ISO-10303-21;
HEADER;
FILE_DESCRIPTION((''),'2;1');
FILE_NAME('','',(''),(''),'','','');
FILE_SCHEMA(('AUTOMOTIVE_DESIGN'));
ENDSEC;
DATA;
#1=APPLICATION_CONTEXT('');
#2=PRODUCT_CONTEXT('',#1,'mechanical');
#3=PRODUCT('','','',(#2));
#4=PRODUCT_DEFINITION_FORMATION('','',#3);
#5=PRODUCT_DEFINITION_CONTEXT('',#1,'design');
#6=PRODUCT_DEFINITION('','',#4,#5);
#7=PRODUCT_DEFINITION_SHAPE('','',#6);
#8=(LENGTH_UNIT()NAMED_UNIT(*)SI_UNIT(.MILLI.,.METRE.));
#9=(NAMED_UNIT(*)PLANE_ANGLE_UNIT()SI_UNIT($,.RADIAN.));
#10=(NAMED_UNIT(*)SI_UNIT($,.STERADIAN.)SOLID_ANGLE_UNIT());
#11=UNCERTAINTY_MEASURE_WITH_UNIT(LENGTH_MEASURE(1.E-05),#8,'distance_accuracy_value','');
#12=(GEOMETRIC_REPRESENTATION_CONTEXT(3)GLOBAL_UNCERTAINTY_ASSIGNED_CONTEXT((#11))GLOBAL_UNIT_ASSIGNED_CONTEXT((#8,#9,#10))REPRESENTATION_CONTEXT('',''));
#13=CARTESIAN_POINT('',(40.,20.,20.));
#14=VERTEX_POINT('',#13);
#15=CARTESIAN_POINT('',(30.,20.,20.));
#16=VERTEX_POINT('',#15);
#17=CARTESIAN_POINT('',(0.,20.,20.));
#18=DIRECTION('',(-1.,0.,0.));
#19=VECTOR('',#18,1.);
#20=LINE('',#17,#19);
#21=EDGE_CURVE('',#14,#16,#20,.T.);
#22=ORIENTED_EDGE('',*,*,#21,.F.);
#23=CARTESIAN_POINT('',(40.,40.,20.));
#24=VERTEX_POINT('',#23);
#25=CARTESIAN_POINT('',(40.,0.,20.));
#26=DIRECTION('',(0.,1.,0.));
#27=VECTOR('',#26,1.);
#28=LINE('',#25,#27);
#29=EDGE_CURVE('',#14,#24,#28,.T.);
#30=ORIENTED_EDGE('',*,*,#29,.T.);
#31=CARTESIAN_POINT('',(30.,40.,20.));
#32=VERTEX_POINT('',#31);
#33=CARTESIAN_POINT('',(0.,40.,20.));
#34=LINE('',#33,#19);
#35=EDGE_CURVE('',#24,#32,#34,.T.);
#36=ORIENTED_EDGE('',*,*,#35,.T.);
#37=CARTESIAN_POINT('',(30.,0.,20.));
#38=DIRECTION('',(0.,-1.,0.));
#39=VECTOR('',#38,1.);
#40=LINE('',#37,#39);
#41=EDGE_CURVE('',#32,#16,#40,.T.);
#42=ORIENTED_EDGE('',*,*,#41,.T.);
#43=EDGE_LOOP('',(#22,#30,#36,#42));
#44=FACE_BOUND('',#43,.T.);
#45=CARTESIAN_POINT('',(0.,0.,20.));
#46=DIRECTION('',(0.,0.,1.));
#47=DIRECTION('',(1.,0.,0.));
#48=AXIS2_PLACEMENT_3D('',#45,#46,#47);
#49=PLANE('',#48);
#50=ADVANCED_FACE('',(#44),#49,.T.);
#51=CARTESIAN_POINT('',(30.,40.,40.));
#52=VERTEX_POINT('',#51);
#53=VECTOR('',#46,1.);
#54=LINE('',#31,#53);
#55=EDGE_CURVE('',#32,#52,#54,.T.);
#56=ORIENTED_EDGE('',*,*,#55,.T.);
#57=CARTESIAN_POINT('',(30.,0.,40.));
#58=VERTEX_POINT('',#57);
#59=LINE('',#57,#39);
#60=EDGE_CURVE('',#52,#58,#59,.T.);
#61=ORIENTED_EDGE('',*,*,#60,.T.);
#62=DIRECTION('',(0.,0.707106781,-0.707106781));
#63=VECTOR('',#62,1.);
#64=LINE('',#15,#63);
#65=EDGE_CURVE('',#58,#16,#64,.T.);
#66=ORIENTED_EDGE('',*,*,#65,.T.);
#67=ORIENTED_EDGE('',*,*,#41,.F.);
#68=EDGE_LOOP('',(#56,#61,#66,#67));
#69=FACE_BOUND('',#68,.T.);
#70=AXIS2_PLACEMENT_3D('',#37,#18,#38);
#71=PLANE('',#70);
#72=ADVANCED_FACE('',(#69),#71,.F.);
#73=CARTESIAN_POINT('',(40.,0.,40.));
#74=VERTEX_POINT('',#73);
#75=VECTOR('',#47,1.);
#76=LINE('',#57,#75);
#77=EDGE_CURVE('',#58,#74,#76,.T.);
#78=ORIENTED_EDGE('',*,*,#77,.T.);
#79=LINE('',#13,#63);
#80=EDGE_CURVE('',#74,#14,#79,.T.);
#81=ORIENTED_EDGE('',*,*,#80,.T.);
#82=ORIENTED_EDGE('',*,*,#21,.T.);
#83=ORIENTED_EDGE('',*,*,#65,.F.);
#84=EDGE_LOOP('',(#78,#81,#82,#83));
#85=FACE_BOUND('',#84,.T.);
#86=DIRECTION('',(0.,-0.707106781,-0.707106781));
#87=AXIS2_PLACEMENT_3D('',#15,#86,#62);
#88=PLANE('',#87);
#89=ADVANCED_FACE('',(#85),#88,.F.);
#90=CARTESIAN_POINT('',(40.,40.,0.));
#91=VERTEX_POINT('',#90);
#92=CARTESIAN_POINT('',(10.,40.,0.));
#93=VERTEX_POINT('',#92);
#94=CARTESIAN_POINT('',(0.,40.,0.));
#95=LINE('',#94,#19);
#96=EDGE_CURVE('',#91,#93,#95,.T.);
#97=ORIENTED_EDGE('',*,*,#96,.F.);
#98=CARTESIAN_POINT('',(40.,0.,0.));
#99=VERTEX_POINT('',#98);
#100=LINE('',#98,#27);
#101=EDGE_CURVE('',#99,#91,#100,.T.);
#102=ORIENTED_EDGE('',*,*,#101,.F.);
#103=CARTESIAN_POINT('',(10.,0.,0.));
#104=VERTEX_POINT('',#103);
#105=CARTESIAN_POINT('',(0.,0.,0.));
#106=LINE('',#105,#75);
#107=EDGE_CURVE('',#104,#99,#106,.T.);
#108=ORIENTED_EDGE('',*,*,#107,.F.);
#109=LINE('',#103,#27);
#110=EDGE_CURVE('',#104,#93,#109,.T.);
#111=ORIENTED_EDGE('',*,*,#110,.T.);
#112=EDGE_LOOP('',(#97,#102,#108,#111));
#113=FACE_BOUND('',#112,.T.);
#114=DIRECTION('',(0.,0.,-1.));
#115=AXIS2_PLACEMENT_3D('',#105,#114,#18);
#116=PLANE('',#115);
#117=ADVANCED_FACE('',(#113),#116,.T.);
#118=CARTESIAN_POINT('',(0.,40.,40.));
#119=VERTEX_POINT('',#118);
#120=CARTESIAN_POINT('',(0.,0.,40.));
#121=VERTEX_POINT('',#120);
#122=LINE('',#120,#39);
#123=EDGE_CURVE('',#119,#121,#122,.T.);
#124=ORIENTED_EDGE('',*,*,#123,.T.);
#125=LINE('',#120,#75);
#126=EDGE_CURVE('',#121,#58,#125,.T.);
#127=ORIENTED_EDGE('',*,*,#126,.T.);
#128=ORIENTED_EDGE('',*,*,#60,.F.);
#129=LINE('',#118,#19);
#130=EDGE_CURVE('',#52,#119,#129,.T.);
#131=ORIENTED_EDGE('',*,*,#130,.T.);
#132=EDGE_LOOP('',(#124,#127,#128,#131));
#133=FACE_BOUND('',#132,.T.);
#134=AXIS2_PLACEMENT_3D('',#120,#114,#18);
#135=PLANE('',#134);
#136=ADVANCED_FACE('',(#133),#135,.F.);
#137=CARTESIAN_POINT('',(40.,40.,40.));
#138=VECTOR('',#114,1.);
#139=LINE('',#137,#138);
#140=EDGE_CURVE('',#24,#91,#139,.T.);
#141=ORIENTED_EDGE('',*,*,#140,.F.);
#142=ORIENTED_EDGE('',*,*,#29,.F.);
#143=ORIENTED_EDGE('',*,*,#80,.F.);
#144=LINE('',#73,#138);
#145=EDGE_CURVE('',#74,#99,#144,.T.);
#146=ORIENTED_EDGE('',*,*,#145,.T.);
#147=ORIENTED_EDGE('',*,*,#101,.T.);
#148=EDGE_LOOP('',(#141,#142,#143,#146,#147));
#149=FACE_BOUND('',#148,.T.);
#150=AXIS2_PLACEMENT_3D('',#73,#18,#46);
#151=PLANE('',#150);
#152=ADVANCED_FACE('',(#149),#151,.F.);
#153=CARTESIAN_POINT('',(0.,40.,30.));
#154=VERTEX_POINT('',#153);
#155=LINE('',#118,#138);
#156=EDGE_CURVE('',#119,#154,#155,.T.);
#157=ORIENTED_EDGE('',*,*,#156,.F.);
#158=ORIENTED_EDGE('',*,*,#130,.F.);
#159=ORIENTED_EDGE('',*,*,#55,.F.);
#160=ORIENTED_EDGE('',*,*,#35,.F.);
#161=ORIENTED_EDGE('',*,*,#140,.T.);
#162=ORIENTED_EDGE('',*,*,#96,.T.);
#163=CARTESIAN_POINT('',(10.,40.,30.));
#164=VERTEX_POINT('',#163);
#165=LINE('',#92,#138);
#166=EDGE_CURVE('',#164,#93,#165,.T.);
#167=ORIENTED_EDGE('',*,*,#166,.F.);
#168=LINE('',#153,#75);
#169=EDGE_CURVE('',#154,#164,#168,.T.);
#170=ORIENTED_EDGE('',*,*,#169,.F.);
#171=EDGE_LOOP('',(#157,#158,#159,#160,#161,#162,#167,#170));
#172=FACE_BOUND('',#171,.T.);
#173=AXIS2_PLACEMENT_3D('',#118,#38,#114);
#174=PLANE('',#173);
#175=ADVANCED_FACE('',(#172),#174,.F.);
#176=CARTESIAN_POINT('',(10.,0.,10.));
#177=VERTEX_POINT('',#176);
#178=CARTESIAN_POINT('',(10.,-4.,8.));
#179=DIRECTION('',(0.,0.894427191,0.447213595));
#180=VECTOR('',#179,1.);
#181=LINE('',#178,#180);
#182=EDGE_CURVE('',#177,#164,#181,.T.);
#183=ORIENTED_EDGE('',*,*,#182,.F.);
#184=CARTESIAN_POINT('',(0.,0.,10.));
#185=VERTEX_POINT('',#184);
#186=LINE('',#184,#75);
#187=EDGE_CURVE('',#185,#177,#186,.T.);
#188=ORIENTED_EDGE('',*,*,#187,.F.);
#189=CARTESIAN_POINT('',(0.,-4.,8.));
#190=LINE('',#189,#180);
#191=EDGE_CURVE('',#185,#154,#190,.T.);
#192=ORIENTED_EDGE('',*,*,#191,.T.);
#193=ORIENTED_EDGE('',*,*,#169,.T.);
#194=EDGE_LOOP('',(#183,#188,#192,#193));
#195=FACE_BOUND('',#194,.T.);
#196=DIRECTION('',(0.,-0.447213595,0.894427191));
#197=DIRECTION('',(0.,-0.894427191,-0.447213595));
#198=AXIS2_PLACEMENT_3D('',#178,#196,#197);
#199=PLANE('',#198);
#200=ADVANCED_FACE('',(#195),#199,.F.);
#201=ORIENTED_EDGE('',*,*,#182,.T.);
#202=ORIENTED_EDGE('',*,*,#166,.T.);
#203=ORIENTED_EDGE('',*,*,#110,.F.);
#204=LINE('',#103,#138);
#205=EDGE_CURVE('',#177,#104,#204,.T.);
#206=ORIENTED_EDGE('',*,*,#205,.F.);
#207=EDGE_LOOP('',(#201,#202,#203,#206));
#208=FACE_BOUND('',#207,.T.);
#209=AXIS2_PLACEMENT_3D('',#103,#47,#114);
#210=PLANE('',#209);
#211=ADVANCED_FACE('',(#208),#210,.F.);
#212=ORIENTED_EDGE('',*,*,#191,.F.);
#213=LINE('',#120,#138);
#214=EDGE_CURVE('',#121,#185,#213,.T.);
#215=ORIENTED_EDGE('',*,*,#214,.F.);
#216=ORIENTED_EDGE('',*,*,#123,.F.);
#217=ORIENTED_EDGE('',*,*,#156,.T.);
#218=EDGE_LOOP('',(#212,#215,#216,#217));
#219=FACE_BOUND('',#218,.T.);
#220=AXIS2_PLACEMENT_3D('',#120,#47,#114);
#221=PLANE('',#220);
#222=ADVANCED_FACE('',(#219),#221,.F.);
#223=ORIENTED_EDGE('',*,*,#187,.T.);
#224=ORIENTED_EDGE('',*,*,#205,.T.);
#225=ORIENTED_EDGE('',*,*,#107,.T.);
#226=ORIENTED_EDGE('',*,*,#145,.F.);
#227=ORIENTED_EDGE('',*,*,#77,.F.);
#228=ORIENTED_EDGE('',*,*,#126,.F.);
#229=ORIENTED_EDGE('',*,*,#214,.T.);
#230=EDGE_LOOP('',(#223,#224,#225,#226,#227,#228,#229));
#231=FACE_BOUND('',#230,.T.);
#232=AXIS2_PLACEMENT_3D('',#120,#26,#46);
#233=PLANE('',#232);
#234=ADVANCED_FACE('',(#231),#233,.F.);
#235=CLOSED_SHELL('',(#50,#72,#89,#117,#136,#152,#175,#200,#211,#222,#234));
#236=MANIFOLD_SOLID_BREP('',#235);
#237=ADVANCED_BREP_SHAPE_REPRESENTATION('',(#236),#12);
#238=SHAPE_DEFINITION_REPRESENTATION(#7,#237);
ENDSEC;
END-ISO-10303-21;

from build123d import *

# Parameters (mm, degrees)
SKETCH1_W           = 40
SKETCH1_H           = 40
BOSS_EXTRUDE1_DEPTH = 40
SKETCH2_W           = 10
SKETCH2_H           = 10
CUT_EXTRUDE1_DEPTH  = 40
SKETCH6_W           = 10
SKETCH6_H           = 20
CUT_EXTRUDE4_DEPTH  = 20
SKETCH7_W           = 10
SKETCH7_H           = 20
CUT_EXTRUDE5_DEPTH  = 10
SKETCH12_W          = 10
SKETCH12_H          = 20
CUT_EXTRUDE11_DEPTH = 10
SKETCH13_W          = 10
SKETCH13_H          = 20
BOSS_EXTRUDE4_DEPTH = 10
CUT_EXTRUDE12_DEPTH = 10
BOSS_EXTRUDE5_DEPTH = 10
CUT_EXTRUDE15_DEPTH = 10


with BuildPart() as part:
    # Sketch1 → Boss-Extrude1 (new body)
    with BuildSketch(Plane.XY):
        with Locations((20, 20)):
            Rectangle(SKETCH1_W, SKETCH1_H)
    extrude(amount=BOSS_EXTRUDE1_DEPTH)

    # Sketch2 → Cut-Extrude1 (cut)
    with BuildSketch(Plane(origin=(0, 40, 0), x_dir=(1, 0, 0), z_dir=(0, 1, 0))):
        with Locations((5, -5)):
            Rectangle(SKETCH2_W, SKETCH2_H)
    extrude(amount=-CUT_EXTRUDE1_DEPTH, mode=Mode.SUBTRACT)

    # Sketch6 → Cut-Extrude4 (cut)
    with BuildSketch(Plane.XY.offset(40)):
        with Locations((35, 30)):
            Rectangle(SKETCH6_W, SKETCH6_H)
    extrude(amount=-CUT_EXTRUDE4_DEPTH, mode=Mode.SUBTRACT)

    # Sketch7 → Cut-Extrude5 (cut)
    with BuildSketch(Plane.XY.offset(40)):
        with Locations((35, 10)):
            Rectangle(SKETCH7_W, SKETCH7_H)
    extrude(amount=-CUT_EXTRUDE5_DEPTH, mode=Mode.SUBTRACT)

    # Sketch12 → Cut-Extrude11 (cut)
    with BuildSketch(Plane(origin=(0, 40, 0), x_dir=(1, 0, 0), z_dir=(0, 1, 0))):
        with Locations((5, -20)):
            Rectangle(SKETCH12_W, SKETCH12_H)
    extrude(amount=-CUT_EXTRUDE11_DEPTH, mode=Mode.SUBTRACT)

    # Sketch13 → Boss-Extrude4 (add)
    with BuildSketch(Plane.XY.offset(30)):
        with Locations((35, 10)):
            Rectangle(SKETCH13_W, SKETCH13_H)
    extrude(amount=BOSS_EXTRUDE4_DEPTH)

    # Sketch15 → Cut-Extrude12 (cut)
    with BuildSketch(Plane(origin=(40, 0, 0), x_dir=(0, 0, -1), z_dir=(1, 0, 0))):
        Polygon((-20, 20), (-40, 0), (-40, 20), align=None)
    extrude(amount=-CUT_EXTRUDE12_DEPTH, mode=Mode.SUBTRACT)

    # Sketch16 → Boss-Extrude5 (add)
    with BuildSketch(Plane.ZY):
        Polygon((30, 40), (25, 30), (30, 30), align=None)
    extrude(amount=-BOSS_EXTRUDE5_DEPTH)

    # Sketch17 → Cut-Extrude15 (cut)
    with BuildSketch(Plane.ZY):
        Polygon((25, 30), (10, 0), (10, 30), align=None)
    extrude(amount=-CUT_EXTRUDE15_DEPTH, mode=Mode.SUBTRACT)


solid = part.part
